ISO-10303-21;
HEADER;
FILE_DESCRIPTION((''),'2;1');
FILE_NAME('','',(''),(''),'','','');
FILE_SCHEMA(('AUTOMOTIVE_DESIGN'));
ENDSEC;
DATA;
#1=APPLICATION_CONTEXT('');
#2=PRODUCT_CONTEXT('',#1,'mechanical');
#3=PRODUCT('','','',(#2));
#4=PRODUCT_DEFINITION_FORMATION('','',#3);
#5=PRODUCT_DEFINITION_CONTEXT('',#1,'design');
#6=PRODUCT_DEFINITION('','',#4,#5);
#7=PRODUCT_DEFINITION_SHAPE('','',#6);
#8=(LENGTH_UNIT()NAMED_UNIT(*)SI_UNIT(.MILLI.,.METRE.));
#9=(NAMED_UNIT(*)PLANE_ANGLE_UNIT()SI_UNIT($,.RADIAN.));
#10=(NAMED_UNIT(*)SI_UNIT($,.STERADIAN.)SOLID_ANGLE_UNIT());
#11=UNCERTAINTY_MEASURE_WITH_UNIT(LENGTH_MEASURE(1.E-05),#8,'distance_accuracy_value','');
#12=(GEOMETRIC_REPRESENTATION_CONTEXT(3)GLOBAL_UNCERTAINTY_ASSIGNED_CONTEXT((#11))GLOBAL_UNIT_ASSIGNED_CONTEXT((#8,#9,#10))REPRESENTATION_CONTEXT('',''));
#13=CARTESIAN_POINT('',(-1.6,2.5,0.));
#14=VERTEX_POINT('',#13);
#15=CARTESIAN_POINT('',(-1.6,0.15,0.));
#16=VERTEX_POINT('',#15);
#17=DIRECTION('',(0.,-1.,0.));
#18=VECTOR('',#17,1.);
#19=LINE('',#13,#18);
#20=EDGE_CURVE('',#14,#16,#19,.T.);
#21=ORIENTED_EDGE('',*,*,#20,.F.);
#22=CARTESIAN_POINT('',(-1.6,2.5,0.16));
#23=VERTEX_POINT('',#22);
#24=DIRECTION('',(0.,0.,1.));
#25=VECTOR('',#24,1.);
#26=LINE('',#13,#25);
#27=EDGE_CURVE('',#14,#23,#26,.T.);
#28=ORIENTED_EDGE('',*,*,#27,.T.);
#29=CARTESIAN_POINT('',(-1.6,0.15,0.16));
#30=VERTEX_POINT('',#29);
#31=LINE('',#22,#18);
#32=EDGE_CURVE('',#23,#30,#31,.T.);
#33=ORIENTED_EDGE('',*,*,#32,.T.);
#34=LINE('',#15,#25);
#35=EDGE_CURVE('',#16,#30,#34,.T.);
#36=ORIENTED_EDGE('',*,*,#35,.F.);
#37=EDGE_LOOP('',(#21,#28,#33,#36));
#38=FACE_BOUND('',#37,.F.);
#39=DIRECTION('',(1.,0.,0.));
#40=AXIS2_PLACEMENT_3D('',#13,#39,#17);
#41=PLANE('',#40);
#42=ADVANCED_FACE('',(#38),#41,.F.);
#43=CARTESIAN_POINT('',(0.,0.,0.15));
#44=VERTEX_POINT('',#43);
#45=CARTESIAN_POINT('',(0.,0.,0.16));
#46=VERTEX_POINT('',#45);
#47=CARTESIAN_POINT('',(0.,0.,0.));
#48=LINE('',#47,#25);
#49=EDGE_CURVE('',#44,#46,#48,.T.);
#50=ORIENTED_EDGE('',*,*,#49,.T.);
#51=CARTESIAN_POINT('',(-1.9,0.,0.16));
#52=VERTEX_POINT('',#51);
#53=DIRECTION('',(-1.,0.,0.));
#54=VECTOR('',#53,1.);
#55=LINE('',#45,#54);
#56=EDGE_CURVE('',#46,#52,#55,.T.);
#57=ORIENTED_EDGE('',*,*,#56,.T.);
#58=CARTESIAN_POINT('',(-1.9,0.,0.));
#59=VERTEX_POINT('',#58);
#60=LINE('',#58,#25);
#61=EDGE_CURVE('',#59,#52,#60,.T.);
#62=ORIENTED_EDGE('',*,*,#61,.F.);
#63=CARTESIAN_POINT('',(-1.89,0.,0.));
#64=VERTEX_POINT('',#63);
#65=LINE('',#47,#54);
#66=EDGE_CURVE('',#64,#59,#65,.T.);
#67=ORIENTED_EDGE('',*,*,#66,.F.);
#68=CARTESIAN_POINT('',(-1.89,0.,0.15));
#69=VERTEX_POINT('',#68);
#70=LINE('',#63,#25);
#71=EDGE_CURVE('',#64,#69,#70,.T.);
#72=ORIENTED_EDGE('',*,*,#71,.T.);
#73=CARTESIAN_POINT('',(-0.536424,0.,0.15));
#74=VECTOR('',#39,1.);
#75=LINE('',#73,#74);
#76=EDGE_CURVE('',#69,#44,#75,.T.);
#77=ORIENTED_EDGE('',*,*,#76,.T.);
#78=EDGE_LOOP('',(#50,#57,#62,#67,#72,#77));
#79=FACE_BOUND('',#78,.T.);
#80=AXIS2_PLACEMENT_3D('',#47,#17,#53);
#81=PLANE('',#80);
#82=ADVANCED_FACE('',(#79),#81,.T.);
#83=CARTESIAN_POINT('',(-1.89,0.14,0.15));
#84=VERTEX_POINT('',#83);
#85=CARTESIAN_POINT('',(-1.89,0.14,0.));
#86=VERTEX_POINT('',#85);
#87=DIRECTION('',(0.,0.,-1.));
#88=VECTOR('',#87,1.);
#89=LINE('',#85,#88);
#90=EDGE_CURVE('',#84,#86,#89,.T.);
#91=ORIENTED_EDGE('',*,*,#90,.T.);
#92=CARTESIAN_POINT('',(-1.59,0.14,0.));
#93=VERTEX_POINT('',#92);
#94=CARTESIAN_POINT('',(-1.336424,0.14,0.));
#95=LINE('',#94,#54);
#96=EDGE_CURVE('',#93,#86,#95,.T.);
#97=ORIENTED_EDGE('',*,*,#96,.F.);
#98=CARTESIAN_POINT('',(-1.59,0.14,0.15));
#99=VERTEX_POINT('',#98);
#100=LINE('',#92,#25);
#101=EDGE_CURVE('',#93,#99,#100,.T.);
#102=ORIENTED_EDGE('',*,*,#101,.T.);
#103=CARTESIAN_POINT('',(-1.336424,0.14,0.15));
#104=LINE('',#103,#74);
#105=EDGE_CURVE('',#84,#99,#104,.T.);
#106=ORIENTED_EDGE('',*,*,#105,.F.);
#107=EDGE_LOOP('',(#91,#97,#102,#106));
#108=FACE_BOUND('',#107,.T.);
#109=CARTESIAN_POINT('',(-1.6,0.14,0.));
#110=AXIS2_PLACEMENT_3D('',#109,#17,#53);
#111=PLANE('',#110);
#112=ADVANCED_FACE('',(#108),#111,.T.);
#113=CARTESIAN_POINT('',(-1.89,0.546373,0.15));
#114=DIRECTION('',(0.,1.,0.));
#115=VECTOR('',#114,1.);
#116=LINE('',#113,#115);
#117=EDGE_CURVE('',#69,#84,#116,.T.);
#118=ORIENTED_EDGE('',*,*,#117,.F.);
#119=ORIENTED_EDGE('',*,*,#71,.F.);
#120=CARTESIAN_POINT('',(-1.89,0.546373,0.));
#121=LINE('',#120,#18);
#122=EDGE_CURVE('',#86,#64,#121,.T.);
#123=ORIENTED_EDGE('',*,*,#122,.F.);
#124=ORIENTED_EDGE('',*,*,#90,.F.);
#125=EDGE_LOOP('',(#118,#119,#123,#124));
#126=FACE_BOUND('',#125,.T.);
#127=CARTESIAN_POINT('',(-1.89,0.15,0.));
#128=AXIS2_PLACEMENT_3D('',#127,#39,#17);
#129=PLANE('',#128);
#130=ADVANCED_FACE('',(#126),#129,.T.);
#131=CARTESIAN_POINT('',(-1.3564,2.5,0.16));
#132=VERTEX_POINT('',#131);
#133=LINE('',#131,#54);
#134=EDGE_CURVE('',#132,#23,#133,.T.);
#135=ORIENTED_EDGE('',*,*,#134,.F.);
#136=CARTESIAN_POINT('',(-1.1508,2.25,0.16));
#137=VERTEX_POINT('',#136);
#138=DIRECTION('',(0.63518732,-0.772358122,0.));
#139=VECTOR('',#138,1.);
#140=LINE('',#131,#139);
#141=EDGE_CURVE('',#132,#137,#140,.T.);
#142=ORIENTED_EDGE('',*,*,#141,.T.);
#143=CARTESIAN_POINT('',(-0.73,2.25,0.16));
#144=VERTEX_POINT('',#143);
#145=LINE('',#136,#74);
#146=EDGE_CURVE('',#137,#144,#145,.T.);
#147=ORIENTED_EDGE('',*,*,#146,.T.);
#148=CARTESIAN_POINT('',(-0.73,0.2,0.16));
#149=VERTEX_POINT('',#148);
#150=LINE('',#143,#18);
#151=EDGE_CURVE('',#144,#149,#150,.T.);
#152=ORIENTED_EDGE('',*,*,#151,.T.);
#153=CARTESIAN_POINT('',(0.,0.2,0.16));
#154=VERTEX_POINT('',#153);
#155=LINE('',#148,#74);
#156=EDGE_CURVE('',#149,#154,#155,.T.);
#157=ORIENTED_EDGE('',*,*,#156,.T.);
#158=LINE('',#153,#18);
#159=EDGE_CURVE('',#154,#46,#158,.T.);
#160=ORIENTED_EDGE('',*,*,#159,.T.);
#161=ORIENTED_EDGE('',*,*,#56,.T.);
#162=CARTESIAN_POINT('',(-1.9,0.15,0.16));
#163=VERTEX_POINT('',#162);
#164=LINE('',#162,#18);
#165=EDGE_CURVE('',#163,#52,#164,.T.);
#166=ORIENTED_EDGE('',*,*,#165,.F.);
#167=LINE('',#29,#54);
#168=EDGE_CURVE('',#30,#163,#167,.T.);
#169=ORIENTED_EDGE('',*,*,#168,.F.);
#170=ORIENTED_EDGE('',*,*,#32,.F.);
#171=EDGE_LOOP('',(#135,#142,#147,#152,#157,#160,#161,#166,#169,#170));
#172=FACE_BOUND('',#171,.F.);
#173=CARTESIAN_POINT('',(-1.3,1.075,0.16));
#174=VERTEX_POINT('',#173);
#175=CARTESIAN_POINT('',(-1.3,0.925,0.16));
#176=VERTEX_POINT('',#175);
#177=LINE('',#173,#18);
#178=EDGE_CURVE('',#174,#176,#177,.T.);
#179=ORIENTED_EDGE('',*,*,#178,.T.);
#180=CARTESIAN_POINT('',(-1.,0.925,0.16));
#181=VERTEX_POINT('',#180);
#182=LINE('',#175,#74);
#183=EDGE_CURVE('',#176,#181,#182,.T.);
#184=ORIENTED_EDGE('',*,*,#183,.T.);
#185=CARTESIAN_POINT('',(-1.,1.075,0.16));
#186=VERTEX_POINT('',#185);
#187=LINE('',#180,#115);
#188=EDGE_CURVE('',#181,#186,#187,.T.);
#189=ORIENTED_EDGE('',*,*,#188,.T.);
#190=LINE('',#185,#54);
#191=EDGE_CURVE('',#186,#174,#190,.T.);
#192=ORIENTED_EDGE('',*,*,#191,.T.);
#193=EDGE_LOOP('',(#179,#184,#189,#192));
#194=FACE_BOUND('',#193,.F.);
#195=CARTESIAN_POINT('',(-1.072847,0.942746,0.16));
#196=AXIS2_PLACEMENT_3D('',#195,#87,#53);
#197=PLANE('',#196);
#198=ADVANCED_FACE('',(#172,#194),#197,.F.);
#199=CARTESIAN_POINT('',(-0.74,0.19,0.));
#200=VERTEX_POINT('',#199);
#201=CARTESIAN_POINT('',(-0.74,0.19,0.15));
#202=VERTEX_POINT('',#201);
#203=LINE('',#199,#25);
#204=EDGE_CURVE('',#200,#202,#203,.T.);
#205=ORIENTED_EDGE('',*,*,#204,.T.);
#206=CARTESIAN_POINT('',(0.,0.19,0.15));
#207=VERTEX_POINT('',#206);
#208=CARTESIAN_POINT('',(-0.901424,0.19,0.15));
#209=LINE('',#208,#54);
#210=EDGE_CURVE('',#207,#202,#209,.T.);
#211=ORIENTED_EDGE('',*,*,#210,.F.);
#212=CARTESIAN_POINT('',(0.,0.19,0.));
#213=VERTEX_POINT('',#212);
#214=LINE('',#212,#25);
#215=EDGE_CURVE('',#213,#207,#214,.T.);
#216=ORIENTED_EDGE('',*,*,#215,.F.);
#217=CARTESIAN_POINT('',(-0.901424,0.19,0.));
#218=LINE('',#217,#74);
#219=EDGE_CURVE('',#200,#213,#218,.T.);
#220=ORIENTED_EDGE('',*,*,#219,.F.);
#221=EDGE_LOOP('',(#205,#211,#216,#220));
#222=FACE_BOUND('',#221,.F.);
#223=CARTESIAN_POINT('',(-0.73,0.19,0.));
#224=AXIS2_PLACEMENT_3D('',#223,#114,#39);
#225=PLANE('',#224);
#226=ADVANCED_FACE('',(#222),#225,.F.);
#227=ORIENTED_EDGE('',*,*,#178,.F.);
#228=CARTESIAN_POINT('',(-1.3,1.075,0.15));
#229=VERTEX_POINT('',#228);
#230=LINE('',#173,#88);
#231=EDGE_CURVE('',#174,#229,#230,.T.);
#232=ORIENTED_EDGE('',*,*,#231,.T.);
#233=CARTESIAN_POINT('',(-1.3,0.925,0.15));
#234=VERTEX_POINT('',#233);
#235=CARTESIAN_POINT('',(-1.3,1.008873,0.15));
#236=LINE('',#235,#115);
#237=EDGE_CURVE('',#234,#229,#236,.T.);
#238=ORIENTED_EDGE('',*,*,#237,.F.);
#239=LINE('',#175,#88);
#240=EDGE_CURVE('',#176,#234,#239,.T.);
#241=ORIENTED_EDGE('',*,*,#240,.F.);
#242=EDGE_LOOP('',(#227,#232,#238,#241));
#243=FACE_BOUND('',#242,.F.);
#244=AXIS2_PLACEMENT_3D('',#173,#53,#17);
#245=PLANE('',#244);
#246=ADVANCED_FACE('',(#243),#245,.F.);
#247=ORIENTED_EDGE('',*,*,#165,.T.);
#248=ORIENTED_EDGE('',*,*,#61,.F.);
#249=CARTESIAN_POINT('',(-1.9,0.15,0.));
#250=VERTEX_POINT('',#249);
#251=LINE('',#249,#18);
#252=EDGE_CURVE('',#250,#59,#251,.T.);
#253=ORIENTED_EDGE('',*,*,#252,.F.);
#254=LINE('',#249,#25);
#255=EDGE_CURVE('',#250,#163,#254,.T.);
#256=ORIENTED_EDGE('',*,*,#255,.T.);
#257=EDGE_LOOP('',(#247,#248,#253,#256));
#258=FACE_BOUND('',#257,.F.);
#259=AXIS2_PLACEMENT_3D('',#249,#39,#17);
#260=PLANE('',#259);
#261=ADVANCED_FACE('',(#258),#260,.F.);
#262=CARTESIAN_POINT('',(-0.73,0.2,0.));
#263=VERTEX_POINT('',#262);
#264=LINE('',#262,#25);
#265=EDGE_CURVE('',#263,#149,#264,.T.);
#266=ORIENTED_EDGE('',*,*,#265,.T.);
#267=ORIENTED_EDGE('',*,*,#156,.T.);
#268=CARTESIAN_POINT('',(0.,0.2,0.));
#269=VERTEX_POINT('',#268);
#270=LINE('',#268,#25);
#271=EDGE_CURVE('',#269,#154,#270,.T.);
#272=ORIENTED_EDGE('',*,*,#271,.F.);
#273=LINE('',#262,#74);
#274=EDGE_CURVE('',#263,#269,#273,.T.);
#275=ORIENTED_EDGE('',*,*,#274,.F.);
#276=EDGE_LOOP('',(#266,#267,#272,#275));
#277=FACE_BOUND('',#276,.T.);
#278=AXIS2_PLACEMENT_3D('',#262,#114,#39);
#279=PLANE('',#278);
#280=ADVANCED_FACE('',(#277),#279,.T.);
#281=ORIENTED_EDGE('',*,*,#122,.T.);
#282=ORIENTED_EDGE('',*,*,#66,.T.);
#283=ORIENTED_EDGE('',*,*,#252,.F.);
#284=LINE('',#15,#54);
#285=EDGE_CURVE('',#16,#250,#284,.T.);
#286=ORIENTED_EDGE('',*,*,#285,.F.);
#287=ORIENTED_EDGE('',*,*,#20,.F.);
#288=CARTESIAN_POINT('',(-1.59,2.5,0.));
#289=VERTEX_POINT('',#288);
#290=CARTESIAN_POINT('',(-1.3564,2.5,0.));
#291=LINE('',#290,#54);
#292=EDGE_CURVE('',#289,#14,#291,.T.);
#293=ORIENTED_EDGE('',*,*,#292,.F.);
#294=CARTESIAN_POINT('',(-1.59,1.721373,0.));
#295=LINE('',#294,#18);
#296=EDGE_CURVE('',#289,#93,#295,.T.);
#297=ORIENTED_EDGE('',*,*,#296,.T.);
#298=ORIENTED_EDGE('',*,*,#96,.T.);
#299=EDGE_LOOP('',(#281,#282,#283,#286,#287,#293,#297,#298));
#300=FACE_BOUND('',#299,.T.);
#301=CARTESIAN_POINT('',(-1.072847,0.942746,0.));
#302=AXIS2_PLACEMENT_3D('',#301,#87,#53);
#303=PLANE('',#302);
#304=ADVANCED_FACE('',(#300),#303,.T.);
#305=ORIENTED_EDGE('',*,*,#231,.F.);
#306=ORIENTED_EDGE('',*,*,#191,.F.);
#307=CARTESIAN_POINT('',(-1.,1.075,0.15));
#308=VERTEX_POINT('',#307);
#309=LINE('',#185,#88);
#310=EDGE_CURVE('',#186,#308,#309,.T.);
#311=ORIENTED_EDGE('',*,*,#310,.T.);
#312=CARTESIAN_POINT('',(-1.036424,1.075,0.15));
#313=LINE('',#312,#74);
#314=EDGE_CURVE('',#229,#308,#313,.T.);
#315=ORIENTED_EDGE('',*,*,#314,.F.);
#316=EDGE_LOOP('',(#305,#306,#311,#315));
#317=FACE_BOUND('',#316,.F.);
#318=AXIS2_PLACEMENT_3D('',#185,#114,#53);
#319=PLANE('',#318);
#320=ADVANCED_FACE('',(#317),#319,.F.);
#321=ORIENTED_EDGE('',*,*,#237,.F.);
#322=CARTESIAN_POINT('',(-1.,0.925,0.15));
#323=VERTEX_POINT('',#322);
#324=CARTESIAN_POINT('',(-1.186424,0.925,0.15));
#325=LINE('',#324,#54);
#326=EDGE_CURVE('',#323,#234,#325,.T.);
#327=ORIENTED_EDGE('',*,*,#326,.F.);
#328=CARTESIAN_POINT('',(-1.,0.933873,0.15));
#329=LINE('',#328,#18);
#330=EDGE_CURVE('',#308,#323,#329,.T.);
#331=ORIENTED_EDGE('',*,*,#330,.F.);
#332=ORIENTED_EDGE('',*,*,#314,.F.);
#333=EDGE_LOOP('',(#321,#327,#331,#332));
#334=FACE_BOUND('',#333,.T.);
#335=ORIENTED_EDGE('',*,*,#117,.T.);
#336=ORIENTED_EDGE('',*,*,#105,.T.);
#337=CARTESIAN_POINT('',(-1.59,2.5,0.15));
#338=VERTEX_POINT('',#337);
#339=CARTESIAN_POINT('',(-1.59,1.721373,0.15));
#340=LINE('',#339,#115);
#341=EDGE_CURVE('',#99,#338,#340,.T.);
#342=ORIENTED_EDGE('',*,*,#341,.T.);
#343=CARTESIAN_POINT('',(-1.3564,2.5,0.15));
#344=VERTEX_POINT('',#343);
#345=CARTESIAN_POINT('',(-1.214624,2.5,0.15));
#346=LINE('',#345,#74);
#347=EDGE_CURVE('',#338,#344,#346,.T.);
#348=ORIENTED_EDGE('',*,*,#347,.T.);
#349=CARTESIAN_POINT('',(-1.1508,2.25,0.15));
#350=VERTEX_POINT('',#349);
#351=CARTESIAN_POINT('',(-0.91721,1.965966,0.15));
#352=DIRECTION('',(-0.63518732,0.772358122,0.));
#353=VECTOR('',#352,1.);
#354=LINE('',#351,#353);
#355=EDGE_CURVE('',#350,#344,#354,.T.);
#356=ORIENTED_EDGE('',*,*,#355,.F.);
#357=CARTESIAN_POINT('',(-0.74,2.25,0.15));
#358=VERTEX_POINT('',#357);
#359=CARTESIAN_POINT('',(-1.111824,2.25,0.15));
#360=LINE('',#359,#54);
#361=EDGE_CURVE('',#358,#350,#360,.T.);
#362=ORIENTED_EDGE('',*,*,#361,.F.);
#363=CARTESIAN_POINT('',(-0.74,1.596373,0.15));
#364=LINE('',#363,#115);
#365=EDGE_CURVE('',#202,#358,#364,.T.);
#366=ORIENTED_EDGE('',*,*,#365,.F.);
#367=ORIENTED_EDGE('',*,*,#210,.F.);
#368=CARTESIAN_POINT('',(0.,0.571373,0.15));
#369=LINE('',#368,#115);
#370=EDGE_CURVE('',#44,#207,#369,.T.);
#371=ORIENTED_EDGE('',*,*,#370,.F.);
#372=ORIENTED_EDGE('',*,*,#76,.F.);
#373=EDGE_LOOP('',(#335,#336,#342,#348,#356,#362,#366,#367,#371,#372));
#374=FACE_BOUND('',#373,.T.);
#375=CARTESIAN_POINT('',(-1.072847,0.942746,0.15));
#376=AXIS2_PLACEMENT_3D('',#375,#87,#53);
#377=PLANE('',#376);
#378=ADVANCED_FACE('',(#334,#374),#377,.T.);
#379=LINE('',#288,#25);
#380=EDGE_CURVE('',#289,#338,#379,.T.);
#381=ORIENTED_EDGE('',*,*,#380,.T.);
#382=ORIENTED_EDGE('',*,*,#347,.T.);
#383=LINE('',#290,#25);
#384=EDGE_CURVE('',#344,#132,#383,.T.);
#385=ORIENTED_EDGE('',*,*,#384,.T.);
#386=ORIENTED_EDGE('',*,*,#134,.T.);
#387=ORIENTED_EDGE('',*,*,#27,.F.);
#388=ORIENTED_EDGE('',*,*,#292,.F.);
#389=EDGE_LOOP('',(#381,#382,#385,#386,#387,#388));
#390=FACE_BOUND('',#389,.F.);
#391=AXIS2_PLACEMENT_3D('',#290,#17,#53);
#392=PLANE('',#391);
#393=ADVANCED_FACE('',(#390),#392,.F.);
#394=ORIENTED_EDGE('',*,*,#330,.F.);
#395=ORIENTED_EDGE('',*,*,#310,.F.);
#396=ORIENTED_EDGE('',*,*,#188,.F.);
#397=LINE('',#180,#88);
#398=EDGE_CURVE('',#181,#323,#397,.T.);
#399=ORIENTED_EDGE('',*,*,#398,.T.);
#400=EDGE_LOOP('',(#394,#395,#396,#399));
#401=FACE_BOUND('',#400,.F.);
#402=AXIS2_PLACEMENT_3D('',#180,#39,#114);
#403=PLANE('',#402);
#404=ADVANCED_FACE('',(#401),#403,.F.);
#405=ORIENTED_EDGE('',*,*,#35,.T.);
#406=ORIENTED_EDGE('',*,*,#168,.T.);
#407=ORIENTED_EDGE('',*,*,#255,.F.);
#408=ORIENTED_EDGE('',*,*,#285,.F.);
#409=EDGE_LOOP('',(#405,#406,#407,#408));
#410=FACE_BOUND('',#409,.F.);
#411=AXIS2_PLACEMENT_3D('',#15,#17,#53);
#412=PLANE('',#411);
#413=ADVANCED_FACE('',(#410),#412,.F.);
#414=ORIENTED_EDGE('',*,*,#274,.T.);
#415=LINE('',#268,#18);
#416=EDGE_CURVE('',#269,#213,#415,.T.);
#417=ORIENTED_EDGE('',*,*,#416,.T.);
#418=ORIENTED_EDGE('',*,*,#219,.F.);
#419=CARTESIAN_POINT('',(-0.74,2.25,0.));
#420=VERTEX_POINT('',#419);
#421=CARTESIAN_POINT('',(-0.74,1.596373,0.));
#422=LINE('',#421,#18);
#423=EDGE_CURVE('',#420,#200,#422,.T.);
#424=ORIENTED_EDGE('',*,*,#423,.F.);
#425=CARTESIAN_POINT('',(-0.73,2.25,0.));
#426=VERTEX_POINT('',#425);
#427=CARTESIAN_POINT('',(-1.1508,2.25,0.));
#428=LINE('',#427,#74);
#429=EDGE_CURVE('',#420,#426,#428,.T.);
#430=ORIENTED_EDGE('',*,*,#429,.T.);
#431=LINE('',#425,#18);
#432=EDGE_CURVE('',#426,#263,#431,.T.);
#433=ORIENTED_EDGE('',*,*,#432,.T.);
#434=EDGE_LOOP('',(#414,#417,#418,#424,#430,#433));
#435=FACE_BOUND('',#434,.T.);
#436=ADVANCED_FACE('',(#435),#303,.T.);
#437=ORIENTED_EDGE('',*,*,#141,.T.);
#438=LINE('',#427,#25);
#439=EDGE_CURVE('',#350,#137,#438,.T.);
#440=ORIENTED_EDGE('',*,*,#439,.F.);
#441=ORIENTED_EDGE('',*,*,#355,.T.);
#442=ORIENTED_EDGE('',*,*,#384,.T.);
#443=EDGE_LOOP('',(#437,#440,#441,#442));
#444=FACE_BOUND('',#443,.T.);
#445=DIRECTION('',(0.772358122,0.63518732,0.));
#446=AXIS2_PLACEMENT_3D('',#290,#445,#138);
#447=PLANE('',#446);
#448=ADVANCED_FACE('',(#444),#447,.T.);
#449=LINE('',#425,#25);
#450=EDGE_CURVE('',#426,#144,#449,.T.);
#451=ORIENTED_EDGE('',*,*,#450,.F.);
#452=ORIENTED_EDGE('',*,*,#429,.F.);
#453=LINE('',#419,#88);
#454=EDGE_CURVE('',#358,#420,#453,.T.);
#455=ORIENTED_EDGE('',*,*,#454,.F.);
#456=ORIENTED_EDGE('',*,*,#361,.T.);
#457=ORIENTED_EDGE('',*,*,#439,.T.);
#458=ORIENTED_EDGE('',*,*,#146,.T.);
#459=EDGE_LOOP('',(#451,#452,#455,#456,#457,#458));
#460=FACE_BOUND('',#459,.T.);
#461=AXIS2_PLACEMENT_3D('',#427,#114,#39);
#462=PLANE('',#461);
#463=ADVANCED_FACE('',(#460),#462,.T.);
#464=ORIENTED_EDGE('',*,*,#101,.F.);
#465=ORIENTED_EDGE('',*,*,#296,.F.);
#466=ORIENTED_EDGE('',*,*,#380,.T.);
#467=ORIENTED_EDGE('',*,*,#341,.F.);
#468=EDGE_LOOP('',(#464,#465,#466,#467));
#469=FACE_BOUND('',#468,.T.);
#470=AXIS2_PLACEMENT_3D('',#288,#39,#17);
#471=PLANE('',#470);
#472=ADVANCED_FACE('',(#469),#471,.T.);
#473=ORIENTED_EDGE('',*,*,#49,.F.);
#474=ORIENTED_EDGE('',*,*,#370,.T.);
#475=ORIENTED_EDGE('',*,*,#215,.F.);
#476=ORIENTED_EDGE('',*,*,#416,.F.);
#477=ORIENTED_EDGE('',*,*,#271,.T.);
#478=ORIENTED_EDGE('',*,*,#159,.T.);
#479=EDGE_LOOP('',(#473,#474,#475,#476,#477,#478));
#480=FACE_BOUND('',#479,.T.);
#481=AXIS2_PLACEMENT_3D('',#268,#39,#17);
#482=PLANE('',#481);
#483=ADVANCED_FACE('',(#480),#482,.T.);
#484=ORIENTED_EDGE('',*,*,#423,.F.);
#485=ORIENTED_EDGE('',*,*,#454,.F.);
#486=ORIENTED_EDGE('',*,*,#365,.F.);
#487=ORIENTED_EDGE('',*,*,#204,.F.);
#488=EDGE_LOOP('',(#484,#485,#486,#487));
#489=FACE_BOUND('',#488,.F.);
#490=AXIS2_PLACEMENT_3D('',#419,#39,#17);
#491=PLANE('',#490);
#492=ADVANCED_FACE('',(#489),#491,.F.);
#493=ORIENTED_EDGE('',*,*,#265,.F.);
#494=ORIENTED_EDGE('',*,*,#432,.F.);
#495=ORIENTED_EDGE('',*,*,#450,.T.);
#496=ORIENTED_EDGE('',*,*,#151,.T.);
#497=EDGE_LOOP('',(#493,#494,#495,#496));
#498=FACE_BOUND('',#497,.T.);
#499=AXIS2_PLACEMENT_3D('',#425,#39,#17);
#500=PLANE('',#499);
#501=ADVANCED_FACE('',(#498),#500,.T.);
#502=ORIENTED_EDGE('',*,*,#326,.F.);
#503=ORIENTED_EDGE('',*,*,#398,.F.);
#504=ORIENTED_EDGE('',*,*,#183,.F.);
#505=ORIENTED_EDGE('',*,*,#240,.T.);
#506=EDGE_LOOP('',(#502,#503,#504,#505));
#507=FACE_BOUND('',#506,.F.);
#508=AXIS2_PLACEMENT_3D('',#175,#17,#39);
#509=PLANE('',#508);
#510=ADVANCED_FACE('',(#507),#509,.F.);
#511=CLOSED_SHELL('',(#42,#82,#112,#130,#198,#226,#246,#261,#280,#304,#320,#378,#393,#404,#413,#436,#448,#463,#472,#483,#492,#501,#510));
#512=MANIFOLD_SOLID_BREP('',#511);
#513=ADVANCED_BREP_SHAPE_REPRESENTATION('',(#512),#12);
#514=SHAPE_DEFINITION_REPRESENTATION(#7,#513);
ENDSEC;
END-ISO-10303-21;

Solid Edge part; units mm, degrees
sketch "Sketch1" plane through (0, 0, 0) normal (0, 0, 1) x (1, 0, 0)
  line L0 (0, 0.2) -> (0, 0)
  line L1 (0, 0) -> (-1.9, 0)
  line L2 (-1.9, 0.15) -> (-1.9, 0)
  line L3 (-1.6, 0.15) -> (-1.9, 0.15)
  line L4 (-1.6, 2.5) -> (-1.6, 0.15)
  line L5 (-1.3564, 2.5) -> (-1.6, 2.5)
  line L6 (-1.3564, 2.5) -> (-1.1508, 2.25)
  line L7 (-1.1508, 2.25) -> (-0.73, 2.25)
  line L8 (-0.73, 2.25) -> (-0.73, 0.2)
  line L9 (-0.73, 0.2) -> (0, 0.2)
  dimension "D1" = 0.73
  dimension "D2" = 0.2
  dimension "D3" = 1.9
  dimension "D4" = 1.6
  dimension "D5" = 0.15
extrude "Protrusion1" add sketch "Sketch1" along normal blind 0.16
shell "Dünnwand_1" thickness 0.01 removed faces 6 at (-0.931, 0.4417, 0) at (-0.2977, 0, 0.1317) at (0, 0.1687, 0.1317) at (-1.3946, 2.5, 0.1317) at (-1.0849, 2.25, 0.1317) at (-1.3242, 2.4608, 0.1317)
sketch "Sketch2" plane through (-0.95, 1.25, 0.16) normal (0, 0, 1) x (1, 0, 0)
  line L0 (-0.35, -0.325) -> (-0.05, -0.325)
  line L1 (-0.05, -0.325) -> (-0.05, -0.175)
  line L2 (-0.05, -0.175) -> (-0.35, -0.175)
  line L3 (-0.35, -0.175) -> (-0.35, -0.325)
extrude "Cutout1" cut sketch "Sketch2" against normal through all
